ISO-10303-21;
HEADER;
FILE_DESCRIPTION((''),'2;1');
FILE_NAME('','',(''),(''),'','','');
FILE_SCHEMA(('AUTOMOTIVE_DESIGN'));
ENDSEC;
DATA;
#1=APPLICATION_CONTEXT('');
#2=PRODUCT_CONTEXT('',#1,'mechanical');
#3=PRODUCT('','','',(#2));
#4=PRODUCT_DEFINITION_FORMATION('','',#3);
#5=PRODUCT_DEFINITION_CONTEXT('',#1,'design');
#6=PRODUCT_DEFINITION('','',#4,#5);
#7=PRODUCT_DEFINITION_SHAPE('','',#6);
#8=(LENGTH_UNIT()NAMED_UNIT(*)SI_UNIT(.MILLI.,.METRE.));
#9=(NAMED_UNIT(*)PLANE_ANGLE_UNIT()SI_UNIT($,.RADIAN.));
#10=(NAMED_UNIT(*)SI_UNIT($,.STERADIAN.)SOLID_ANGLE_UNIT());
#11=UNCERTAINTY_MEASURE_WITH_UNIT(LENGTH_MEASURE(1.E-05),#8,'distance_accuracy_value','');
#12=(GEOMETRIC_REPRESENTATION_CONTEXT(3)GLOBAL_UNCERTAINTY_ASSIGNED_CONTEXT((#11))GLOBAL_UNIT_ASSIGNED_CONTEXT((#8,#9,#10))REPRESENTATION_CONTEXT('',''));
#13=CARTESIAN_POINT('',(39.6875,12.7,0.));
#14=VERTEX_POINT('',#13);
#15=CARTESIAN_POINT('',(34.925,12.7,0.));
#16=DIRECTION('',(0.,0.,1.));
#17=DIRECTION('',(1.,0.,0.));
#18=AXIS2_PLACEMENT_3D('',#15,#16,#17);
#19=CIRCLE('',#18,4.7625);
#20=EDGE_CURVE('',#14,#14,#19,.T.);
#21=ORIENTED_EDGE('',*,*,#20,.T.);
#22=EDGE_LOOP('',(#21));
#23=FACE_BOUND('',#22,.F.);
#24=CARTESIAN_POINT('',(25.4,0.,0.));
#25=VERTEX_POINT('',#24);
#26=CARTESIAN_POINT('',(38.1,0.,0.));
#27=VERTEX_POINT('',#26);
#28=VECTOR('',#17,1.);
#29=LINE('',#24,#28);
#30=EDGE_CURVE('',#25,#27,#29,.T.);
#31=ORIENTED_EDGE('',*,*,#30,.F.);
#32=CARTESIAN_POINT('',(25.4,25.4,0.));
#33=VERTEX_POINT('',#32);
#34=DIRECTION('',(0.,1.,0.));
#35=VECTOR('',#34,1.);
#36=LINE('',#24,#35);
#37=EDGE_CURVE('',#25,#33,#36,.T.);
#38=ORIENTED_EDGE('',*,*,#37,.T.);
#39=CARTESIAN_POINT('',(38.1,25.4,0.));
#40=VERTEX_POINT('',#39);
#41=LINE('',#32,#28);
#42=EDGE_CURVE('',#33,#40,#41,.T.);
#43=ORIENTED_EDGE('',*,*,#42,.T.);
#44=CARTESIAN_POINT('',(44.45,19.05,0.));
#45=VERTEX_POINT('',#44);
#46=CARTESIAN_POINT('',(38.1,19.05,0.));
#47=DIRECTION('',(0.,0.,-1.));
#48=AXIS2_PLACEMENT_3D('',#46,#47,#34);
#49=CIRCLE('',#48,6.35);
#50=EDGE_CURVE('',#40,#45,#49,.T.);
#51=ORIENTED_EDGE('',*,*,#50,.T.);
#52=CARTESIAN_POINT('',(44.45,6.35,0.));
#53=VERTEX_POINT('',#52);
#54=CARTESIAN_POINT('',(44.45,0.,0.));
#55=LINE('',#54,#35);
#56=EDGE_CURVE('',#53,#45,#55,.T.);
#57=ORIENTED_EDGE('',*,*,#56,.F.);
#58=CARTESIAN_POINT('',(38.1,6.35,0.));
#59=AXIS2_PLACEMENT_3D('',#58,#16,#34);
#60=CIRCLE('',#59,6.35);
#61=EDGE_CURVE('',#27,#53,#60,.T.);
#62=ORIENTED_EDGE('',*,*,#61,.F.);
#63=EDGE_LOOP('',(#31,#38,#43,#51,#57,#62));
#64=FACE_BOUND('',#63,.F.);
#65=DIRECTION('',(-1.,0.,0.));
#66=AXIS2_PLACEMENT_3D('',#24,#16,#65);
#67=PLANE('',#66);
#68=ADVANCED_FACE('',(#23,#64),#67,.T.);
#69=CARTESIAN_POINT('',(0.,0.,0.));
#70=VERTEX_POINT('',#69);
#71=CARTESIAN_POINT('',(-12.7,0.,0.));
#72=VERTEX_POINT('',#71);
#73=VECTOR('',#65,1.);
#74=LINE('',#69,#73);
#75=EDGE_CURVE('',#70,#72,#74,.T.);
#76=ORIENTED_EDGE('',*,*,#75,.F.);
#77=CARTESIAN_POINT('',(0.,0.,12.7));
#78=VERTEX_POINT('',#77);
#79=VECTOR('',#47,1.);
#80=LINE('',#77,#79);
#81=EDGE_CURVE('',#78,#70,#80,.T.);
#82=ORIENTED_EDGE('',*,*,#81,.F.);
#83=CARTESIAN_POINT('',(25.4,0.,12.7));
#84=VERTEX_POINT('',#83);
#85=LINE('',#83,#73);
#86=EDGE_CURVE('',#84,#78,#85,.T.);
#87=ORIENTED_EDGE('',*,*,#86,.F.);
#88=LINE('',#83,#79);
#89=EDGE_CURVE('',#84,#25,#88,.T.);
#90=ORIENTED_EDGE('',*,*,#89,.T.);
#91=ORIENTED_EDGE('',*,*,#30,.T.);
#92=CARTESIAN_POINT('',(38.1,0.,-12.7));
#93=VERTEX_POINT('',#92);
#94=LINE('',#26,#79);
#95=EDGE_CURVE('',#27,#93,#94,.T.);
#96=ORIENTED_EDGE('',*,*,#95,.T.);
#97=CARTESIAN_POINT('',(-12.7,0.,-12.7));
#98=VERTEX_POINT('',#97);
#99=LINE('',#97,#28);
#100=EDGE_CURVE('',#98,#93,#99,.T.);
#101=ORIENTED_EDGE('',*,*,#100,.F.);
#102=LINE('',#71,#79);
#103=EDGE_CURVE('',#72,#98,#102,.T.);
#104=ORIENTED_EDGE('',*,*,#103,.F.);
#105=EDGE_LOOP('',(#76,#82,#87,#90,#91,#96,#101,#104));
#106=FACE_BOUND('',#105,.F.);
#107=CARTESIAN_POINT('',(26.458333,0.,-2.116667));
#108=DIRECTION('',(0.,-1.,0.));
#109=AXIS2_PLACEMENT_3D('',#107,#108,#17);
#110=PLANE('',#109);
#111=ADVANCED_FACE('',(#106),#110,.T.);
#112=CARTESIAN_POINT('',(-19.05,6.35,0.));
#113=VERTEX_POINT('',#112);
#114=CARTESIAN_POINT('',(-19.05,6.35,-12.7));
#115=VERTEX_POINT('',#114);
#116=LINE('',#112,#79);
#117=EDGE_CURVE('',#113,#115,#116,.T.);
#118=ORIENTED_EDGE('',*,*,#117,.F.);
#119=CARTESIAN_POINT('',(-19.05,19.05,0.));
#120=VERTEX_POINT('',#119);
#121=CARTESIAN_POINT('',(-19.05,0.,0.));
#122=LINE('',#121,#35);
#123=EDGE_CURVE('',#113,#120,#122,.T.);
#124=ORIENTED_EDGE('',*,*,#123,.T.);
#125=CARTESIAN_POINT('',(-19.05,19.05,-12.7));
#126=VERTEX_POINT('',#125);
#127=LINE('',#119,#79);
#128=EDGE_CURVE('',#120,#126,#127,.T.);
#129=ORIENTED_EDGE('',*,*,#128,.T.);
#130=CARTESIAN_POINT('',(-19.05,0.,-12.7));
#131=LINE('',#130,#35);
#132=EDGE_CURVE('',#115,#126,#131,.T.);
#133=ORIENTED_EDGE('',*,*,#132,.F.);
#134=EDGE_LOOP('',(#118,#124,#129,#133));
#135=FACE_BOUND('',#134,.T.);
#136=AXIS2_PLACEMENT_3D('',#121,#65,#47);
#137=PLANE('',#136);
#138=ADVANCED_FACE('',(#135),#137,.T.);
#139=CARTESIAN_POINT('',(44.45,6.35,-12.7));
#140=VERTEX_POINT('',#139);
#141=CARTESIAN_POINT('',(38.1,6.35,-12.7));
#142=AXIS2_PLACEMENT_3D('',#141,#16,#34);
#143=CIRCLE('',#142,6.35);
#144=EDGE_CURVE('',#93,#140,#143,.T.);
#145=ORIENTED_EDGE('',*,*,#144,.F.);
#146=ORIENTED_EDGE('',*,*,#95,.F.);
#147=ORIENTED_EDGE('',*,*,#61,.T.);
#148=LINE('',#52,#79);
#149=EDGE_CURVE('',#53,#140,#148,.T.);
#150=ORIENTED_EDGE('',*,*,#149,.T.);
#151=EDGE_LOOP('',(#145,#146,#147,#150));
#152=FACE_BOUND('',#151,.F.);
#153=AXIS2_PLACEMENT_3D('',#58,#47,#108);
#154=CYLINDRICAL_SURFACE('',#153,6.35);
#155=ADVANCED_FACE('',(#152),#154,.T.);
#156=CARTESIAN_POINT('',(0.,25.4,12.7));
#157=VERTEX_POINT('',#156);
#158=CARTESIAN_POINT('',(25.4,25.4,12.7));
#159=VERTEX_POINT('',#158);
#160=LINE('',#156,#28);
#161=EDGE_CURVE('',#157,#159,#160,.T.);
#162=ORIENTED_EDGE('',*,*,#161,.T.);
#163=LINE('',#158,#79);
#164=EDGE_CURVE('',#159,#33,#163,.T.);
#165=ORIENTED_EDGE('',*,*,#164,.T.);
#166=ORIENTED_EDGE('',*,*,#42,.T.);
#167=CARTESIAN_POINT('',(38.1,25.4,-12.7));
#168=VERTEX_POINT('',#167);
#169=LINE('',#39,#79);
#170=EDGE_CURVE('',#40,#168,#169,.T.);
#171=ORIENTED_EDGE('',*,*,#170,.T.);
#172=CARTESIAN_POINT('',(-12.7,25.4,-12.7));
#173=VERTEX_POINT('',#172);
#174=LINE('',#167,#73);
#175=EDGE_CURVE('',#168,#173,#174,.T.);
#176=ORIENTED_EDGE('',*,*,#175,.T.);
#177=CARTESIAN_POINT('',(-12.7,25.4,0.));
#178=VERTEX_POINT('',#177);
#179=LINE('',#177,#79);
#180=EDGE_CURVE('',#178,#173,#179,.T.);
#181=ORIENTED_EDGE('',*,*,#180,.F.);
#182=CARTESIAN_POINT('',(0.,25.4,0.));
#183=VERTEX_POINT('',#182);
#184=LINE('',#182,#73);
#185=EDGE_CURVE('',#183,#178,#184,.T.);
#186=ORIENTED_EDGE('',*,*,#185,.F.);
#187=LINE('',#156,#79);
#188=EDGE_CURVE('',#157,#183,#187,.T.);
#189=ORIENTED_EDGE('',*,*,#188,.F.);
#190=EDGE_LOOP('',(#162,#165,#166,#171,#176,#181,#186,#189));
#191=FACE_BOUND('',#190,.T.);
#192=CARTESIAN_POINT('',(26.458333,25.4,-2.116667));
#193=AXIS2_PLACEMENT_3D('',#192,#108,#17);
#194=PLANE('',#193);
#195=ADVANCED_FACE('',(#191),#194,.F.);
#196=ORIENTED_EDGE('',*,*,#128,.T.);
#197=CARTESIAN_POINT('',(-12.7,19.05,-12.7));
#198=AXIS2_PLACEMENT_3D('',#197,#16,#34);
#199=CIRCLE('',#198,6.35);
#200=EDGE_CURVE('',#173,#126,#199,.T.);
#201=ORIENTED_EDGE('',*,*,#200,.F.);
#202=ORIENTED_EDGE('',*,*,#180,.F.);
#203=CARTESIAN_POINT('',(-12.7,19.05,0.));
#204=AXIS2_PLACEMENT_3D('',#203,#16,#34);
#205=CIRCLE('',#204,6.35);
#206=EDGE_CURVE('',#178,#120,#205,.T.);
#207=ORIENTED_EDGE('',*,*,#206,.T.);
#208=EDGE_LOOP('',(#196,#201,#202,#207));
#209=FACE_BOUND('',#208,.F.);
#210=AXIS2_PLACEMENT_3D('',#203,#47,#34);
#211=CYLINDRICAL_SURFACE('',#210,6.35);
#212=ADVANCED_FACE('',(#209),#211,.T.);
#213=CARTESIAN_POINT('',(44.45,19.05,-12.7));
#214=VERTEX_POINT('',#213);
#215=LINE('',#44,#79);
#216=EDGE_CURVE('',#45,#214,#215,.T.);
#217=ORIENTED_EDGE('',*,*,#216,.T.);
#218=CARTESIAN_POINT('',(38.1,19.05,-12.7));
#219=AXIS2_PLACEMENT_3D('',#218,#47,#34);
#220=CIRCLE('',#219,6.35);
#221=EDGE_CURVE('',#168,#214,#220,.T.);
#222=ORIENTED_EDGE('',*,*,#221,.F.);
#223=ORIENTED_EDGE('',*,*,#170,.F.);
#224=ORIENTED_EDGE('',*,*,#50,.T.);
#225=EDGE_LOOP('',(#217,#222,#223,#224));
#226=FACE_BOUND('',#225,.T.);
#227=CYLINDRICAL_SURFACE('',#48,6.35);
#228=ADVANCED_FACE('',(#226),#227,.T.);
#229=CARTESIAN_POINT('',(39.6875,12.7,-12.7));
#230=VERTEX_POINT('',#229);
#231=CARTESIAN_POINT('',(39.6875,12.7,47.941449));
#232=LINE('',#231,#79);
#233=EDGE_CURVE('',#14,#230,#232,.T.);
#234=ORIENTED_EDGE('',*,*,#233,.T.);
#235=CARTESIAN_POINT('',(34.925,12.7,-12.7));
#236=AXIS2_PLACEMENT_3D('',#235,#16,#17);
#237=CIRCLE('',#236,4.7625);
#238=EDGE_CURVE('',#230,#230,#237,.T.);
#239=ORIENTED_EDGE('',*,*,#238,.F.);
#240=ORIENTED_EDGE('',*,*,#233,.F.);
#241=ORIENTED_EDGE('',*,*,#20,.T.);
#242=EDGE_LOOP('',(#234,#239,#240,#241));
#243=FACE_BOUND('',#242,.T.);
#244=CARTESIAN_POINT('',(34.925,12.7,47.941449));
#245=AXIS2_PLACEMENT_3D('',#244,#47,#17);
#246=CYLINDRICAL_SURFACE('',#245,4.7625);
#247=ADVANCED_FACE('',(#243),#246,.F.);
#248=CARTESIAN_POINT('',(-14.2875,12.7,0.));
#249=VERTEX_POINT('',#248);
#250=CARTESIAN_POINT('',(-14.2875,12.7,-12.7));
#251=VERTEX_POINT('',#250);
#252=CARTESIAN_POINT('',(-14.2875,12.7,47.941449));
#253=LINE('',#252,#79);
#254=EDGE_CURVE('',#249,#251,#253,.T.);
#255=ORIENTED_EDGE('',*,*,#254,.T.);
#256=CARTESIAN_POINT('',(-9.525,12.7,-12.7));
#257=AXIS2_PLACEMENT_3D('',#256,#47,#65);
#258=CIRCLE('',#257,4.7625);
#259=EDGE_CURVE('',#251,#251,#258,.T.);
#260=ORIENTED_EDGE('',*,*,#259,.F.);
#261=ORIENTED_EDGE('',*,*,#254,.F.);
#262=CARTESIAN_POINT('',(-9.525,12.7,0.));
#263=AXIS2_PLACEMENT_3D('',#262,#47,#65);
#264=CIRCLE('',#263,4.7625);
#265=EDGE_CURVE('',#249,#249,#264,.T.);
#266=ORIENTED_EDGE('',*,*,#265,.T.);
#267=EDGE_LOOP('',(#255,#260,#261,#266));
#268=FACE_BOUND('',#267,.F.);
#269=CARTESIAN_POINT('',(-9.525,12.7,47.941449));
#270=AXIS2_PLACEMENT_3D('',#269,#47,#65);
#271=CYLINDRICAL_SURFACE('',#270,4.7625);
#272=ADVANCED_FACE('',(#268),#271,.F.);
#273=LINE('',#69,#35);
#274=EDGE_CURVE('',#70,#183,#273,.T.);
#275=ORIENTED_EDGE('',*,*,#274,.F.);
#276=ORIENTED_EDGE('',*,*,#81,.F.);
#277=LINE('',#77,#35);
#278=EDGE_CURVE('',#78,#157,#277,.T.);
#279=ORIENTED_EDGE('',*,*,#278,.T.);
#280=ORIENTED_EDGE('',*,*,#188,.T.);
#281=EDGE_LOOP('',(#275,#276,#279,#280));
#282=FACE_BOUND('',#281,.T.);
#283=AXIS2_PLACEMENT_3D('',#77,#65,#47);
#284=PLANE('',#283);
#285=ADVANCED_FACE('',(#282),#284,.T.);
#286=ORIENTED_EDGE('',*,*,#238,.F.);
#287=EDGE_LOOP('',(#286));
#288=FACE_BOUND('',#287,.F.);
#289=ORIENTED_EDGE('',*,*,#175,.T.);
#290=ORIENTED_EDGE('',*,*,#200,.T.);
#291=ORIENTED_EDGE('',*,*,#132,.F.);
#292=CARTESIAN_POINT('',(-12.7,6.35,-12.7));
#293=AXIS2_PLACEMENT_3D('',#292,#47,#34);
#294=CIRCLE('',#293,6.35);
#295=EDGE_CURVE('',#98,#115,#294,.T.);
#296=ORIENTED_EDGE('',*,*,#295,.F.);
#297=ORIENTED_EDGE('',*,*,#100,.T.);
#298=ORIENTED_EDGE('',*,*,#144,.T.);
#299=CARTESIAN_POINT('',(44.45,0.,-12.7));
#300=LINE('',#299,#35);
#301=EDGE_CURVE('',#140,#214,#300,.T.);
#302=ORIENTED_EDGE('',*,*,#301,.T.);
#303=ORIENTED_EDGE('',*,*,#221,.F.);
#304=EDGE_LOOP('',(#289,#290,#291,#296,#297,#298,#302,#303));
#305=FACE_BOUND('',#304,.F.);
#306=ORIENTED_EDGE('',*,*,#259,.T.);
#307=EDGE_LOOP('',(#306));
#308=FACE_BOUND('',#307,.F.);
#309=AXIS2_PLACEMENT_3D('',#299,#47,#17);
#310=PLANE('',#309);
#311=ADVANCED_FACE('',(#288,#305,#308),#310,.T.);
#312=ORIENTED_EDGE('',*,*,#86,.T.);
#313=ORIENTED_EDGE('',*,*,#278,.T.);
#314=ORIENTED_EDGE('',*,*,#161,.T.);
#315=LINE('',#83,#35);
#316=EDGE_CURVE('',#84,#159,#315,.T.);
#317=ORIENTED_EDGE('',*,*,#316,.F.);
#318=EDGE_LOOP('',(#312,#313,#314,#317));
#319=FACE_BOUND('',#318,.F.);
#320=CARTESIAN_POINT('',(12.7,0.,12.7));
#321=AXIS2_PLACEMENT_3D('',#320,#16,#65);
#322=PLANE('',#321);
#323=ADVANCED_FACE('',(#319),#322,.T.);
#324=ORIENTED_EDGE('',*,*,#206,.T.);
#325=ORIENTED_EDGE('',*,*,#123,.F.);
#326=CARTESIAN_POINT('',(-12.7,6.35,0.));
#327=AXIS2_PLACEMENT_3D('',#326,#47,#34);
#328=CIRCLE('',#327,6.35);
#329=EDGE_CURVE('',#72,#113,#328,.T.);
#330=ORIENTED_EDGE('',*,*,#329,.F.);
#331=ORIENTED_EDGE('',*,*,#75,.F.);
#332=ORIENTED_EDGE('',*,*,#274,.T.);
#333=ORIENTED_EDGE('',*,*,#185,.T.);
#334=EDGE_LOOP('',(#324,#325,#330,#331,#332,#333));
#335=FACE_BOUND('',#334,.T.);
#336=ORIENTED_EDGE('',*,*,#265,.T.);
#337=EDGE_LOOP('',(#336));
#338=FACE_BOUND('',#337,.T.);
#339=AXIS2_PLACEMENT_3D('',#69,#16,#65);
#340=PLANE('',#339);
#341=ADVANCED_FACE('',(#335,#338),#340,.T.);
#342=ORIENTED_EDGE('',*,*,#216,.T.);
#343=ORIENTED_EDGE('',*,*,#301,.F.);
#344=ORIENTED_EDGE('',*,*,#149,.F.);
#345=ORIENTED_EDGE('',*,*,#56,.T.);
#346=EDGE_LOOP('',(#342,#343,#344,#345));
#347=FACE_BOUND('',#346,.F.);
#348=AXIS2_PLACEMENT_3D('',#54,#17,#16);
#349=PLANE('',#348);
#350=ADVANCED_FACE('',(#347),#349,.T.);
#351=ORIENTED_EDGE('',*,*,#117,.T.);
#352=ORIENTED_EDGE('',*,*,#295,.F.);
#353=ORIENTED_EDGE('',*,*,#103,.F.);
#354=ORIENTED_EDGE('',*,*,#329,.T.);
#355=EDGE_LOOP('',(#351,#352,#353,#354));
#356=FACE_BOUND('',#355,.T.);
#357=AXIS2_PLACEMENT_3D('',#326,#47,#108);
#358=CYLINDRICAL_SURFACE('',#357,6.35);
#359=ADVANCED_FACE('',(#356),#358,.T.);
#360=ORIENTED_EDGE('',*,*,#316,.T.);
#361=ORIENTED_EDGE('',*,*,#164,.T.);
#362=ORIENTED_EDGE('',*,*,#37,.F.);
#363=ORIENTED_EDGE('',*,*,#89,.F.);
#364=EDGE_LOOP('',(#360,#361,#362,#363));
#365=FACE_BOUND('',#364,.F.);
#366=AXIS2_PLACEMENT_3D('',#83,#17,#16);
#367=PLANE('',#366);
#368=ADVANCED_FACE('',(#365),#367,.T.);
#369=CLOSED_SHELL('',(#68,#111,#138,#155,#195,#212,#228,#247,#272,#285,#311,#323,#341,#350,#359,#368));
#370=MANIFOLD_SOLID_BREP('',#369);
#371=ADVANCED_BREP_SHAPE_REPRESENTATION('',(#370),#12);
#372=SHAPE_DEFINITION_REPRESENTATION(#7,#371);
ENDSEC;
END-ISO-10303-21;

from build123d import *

# Parameters (mm, degrees)
F1_DEPTH = 25.4
F3_D     = 9.525
F4_R     = 6.35


with BuildPart() as f1:
    # F0 (on Front) → F1 (new body)
    with BuildSketch(Plane.XZ):
        Polygon((0, 0), (-19.05, 0), (-19.05, -12.7), (12.7, -12.7), (12.7, 0), (12.7, 12.7), (0, 12.7), align=None)
    extrude(amount=-F1_DEPTH)

    # F3 (through all)
    with Locations(Plane.XY):
        with Locations((-9.525, 12.7)):
            Hole(F3_D / 2)

    # F4
    f4_edges = [f1.edges().sort_by_distance(p)[0] for p in [
        (-19.05, 25.4, -6.35),
        (-19.05, 0, -6.35),
    ]]
    fillet(f4_edges, radius=F4_R)

    # F5: F1 across face


with BuildPart() as f1_1:
    add(f1.part)
    add(f1.part.mirror(Plane(origin=(12.7, 12.7, 0), x_dir=(0, 1, 0), z_dir=(1, 0, 0))))


solid = f1_1.part
